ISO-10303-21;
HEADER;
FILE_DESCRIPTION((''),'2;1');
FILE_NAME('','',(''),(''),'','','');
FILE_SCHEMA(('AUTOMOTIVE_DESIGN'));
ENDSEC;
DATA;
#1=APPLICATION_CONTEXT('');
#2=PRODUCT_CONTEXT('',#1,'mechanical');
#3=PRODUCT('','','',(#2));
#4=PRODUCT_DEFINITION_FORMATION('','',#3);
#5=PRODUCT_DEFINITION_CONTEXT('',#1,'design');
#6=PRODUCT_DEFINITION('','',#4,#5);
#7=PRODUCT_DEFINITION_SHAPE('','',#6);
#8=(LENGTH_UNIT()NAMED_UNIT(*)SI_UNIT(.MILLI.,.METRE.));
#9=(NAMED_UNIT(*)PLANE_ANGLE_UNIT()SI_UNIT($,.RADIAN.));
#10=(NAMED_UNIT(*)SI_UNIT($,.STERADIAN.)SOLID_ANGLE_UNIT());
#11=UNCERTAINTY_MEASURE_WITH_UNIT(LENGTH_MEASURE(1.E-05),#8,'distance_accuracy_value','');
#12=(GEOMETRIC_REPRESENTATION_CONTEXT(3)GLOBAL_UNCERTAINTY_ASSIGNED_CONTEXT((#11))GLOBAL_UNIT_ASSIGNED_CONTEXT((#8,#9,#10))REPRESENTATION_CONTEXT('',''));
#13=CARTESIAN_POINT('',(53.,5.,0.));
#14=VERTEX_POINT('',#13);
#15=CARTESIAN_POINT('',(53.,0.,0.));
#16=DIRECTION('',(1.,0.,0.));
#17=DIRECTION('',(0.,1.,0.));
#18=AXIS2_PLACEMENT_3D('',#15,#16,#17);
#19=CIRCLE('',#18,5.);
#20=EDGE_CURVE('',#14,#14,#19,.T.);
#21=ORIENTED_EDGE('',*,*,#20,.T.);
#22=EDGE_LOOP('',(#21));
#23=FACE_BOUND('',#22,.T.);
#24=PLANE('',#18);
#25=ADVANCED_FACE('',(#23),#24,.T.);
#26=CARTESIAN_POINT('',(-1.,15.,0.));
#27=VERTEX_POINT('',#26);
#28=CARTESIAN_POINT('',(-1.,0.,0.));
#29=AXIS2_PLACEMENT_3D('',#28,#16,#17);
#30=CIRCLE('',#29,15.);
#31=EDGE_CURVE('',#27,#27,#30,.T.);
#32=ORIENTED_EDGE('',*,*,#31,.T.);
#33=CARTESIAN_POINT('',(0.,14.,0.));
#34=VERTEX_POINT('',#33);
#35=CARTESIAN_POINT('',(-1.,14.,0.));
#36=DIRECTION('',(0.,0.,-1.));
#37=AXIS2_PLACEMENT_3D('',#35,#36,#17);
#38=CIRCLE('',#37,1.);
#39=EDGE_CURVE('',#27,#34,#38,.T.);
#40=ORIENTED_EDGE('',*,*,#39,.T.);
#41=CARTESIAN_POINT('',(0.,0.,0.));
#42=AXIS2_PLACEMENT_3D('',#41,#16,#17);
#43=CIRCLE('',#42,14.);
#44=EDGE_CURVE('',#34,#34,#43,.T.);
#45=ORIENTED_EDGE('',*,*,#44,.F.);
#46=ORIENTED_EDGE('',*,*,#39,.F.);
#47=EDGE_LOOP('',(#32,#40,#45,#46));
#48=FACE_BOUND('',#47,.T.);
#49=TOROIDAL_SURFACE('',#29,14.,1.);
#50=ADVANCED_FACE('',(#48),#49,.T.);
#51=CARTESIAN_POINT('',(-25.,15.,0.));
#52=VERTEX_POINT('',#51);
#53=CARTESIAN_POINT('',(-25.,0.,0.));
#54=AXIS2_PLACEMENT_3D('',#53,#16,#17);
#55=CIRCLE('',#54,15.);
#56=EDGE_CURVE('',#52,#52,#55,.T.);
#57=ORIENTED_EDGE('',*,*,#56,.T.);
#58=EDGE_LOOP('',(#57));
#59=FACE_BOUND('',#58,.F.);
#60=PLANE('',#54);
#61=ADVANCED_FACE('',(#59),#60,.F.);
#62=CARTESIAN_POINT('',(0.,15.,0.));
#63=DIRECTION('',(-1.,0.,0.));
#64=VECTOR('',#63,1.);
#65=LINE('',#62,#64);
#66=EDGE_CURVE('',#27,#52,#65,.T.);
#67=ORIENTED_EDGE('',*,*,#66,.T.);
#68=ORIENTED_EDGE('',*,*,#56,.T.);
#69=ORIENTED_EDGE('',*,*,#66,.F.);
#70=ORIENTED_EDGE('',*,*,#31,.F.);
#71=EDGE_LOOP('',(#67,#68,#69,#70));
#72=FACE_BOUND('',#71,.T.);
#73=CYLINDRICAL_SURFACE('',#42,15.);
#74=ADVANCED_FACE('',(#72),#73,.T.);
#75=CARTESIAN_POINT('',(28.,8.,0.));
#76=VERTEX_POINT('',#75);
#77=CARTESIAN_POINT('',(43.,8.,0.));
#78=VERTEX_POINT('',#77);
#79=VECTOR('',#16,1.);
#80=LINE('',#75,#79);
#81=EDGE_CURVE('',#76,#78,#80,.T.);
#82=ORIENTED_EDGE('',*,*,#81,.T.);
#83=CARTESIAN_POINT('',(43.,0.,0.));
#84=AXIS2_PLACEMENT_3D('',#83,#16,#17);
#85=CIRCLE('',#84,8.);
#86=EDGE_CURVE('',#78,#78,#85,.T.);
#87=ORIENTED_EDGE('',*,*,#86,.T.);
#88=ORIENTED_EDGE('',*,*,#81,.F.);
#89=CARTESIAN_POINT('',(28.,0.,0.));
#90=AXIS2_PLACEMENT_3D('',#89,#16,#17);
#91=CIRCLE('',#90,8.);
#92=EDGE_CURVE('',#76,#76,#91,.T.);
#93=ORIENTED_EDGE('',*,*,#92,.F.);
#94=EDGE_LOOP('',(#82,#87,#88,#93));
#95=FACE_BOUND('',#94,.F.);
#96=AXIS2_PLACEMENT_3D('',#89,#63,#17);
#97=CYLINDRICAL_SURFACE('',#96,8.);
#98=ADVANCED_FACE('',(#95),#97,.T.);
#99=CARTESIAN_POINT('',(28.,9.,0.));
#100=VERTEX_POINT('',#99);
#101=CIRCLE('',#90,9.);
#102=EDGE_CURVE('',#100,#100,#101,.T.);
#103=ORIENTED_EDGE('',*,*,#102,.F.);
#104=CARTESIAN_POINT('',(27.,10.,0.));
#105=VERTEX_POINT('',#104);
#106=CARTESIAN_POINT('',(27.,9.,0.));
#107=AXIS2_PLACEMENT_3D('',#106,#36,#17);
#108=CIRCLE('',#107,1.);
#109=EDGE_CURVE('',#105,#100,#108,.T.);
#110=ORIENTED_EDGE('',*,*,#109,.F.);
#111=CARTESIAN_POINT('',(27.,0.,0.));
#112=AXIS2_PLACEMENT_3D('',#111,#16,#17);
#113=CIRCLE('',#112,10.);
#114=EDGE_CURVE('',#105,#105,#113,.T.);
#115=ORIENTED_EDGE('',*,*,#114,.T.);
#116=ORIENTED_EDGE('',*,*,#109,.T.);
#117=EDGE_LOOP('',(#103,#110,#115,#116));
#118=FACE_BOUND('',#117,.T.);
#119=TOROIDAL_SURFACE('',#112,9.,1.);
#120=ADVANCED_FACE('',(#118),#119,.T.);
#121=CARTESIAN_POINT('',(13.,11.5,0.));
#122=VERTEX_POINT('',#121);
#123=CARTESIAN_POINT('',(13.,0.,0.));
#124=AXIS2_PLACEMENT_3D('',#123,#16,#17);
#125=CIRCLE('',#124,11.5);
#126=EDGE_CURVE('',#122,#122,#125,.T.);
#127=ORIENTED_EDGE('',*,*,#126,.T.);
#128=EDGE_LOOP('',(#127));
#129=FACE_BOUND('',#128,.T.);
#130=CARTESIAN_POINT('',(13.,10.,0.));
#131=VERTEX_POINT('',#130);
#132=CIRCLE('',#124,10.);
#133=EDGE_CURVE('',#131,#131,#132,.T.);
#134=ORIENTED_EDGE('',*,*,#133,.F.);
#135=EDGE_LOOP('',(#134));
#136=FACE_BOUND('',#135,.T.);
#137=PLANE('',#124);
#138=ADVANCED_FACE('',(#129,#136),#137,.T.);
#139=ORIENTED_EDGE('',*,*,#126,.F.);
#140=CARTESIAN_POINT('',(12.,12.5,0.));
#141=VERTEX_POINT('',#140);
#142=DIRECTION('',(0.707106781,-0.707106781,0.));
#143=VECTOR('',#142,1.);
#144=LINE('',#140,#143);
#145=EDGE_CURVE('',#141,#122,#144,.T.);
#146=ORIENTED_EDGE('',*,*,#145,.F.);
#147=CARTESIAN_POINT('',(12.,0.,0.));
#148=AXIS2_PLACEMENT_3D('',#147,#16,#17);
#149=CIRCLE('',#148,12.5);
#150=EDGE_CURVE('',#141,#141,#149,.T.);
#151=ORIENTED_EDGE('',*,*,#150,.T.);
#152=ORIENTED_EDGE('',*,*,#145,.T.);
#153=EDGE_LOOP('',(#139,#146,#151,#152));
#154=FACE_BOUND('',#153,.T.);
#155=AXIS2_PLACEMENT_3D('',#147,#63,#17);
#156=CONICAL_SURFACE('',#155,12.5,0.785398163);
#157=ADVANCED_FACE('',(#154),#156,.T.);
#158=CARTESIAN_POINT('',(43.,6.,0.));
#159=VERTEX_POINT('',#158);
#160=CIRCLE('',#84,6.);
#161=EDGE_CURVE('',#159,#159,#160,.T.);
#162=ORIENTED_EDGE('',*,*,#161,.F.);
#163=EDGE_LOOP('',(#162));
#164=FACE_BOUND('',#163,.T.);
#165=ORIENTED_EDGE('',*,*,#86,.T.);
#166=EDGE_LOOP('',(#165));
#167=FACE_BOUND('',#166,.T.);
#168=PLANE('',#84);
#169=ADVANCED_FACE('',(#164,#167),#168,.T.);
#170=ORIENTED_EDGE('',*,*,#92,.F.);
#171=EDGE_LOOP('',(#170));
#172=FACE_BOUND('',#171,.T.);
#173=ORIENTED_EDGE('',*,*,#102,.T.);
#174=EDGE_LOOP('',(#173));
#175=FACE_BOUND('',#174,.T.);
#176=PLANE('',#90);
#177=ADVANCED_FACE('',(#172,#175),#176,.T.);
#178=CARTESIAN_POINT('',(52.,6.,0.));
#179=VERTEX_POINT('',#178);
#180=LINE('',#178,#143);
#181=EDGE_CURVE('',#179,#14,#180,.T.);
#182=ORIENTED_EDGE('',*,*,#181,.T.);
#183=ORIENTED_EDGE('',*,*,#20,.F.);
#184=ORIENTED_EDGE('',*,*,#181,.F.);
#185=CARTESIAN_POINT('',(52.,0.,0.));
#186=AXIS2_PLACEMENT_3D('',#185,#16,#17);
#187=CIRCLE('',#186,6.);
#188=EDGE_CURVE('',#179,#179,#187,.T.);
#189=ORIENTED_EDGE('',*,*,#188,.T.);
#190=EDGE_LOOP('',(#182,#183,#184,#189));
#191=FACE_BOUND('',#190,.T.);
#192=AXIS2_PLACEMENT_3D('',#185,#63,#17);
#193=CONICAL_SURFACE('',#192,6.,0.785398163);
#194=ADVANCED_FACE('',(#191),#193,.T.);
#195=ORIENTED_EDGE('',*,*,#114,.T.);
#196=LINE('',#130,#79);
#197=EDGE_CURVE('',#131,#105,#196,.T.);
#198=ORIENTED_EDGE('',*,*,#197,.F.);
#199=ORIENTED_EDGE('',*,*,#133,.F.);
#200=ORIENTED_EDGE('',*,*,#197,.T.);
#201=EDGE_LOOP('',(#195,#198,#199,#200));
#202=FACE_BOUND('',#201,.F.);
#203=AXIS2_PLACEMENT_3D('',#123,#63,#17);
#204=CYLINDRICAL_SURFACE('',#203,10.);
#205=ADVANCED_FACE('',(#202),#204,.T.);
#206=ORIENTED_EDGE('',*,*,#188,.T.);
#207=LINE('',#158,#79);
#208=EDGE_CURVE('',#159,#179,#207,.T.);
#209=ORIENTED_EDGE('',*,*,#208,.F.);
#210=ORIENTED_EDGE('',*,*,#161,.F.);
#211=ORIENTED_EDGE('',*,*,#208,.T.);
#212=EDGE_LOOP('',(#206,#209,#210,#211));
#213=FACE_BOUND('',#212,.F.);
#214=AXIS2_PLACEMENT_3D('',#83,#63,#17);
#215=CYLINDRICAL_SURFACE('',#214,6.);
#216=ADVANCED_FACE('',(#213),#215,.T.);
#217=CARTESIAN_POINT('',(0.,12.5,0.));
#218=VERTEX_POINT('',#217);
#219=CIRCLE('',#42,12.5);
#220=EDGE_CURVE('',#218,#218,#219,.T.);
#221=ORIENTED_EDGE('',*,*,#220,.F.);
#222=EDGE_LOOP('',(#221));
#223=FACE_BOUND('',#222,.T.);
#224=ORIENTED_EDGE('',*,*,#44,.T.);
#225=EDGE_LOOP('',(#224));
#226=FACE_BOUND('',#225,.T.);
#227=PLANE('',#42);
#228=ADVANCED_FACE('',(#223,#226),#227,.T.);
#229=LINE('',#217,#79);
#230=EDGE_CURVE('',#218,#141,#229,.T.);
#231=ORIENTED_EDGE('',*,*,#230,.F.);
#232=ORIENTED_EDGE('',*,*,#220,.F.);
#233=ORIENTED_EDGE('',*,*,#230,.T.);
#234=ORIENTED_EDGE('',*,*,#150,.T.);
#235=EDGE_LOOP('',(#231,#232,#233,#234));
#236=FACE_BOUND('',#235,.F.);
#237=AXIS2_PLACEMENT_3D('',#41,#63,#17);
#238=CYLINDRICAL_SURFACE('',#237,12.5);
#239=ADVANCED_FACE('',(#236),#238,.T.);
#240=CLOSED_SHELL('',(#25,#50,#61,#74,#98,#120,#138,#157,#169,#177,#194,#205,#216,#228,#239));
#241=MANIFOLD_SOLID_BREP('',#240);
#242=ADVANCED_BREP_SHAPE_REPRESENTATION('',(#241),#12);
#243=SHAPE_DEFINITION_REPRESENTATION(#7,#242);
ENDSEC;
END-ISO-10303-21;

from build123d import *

# Parameters (mm, degrees)
F0_R     = 15
F1_DEPTH = 25
F2_R     = 12.5
F3_DEPTH = 13
F4_R     = 10
F5_DEPTH = 15
F6_R     = 8
F7_DEPTH = 15
F8_R     = 6
F9_DEPTH = 10
F10_R    = 1
F11_SIZE = 1


with BuildPart() as f1:
    # F0 (on Right) → F1 (new body)
    with BuildSketch(Plane.YZ):
        Circle(F0_R)
    extrude(amount=-F1_DEPTH)

    # F2 (on face) → F3 (join)
    with BuildSketch(Plane.YZ):
        Circle(F2_R)
    extrude(amount=F3_DEPTH)

    # F4 (on face) → F5 (join)
    with BuildSketch(Plane.YZ.offset(13)):
        Circle(F4_R)
    extrude(amount=F5_DEPTH)

    # F6 (on face) → F7 (join)
    with BuildSketch(Plane.YZ.offset(28)):
        Circle(F6_R)
    extrude(amount=F7_DEPTH)

    # F8 (on face) → F9 (join)
    with BuildSketch(Plane.YZ.offset(43)):
        Circle(F8_R)
    extrude(amount=F9_DEPTH)

    # F10
    f10_edges = [f1.edges().sort_by_distance(p)[0] for p in [
        (0, -15, 0),
        (28, -10, 0),
    ]]
    fillet(f10_edges, radius=F10_R)

    # F11
    f11_edges = [f1.edges().sort_by_distance(p)[0] for p in [
        (13, -12.5, 0),
        (53, -6, 0),
    ]]
    chamfer(f11_edges, length=F11_SIZE)


solid = f1.part
